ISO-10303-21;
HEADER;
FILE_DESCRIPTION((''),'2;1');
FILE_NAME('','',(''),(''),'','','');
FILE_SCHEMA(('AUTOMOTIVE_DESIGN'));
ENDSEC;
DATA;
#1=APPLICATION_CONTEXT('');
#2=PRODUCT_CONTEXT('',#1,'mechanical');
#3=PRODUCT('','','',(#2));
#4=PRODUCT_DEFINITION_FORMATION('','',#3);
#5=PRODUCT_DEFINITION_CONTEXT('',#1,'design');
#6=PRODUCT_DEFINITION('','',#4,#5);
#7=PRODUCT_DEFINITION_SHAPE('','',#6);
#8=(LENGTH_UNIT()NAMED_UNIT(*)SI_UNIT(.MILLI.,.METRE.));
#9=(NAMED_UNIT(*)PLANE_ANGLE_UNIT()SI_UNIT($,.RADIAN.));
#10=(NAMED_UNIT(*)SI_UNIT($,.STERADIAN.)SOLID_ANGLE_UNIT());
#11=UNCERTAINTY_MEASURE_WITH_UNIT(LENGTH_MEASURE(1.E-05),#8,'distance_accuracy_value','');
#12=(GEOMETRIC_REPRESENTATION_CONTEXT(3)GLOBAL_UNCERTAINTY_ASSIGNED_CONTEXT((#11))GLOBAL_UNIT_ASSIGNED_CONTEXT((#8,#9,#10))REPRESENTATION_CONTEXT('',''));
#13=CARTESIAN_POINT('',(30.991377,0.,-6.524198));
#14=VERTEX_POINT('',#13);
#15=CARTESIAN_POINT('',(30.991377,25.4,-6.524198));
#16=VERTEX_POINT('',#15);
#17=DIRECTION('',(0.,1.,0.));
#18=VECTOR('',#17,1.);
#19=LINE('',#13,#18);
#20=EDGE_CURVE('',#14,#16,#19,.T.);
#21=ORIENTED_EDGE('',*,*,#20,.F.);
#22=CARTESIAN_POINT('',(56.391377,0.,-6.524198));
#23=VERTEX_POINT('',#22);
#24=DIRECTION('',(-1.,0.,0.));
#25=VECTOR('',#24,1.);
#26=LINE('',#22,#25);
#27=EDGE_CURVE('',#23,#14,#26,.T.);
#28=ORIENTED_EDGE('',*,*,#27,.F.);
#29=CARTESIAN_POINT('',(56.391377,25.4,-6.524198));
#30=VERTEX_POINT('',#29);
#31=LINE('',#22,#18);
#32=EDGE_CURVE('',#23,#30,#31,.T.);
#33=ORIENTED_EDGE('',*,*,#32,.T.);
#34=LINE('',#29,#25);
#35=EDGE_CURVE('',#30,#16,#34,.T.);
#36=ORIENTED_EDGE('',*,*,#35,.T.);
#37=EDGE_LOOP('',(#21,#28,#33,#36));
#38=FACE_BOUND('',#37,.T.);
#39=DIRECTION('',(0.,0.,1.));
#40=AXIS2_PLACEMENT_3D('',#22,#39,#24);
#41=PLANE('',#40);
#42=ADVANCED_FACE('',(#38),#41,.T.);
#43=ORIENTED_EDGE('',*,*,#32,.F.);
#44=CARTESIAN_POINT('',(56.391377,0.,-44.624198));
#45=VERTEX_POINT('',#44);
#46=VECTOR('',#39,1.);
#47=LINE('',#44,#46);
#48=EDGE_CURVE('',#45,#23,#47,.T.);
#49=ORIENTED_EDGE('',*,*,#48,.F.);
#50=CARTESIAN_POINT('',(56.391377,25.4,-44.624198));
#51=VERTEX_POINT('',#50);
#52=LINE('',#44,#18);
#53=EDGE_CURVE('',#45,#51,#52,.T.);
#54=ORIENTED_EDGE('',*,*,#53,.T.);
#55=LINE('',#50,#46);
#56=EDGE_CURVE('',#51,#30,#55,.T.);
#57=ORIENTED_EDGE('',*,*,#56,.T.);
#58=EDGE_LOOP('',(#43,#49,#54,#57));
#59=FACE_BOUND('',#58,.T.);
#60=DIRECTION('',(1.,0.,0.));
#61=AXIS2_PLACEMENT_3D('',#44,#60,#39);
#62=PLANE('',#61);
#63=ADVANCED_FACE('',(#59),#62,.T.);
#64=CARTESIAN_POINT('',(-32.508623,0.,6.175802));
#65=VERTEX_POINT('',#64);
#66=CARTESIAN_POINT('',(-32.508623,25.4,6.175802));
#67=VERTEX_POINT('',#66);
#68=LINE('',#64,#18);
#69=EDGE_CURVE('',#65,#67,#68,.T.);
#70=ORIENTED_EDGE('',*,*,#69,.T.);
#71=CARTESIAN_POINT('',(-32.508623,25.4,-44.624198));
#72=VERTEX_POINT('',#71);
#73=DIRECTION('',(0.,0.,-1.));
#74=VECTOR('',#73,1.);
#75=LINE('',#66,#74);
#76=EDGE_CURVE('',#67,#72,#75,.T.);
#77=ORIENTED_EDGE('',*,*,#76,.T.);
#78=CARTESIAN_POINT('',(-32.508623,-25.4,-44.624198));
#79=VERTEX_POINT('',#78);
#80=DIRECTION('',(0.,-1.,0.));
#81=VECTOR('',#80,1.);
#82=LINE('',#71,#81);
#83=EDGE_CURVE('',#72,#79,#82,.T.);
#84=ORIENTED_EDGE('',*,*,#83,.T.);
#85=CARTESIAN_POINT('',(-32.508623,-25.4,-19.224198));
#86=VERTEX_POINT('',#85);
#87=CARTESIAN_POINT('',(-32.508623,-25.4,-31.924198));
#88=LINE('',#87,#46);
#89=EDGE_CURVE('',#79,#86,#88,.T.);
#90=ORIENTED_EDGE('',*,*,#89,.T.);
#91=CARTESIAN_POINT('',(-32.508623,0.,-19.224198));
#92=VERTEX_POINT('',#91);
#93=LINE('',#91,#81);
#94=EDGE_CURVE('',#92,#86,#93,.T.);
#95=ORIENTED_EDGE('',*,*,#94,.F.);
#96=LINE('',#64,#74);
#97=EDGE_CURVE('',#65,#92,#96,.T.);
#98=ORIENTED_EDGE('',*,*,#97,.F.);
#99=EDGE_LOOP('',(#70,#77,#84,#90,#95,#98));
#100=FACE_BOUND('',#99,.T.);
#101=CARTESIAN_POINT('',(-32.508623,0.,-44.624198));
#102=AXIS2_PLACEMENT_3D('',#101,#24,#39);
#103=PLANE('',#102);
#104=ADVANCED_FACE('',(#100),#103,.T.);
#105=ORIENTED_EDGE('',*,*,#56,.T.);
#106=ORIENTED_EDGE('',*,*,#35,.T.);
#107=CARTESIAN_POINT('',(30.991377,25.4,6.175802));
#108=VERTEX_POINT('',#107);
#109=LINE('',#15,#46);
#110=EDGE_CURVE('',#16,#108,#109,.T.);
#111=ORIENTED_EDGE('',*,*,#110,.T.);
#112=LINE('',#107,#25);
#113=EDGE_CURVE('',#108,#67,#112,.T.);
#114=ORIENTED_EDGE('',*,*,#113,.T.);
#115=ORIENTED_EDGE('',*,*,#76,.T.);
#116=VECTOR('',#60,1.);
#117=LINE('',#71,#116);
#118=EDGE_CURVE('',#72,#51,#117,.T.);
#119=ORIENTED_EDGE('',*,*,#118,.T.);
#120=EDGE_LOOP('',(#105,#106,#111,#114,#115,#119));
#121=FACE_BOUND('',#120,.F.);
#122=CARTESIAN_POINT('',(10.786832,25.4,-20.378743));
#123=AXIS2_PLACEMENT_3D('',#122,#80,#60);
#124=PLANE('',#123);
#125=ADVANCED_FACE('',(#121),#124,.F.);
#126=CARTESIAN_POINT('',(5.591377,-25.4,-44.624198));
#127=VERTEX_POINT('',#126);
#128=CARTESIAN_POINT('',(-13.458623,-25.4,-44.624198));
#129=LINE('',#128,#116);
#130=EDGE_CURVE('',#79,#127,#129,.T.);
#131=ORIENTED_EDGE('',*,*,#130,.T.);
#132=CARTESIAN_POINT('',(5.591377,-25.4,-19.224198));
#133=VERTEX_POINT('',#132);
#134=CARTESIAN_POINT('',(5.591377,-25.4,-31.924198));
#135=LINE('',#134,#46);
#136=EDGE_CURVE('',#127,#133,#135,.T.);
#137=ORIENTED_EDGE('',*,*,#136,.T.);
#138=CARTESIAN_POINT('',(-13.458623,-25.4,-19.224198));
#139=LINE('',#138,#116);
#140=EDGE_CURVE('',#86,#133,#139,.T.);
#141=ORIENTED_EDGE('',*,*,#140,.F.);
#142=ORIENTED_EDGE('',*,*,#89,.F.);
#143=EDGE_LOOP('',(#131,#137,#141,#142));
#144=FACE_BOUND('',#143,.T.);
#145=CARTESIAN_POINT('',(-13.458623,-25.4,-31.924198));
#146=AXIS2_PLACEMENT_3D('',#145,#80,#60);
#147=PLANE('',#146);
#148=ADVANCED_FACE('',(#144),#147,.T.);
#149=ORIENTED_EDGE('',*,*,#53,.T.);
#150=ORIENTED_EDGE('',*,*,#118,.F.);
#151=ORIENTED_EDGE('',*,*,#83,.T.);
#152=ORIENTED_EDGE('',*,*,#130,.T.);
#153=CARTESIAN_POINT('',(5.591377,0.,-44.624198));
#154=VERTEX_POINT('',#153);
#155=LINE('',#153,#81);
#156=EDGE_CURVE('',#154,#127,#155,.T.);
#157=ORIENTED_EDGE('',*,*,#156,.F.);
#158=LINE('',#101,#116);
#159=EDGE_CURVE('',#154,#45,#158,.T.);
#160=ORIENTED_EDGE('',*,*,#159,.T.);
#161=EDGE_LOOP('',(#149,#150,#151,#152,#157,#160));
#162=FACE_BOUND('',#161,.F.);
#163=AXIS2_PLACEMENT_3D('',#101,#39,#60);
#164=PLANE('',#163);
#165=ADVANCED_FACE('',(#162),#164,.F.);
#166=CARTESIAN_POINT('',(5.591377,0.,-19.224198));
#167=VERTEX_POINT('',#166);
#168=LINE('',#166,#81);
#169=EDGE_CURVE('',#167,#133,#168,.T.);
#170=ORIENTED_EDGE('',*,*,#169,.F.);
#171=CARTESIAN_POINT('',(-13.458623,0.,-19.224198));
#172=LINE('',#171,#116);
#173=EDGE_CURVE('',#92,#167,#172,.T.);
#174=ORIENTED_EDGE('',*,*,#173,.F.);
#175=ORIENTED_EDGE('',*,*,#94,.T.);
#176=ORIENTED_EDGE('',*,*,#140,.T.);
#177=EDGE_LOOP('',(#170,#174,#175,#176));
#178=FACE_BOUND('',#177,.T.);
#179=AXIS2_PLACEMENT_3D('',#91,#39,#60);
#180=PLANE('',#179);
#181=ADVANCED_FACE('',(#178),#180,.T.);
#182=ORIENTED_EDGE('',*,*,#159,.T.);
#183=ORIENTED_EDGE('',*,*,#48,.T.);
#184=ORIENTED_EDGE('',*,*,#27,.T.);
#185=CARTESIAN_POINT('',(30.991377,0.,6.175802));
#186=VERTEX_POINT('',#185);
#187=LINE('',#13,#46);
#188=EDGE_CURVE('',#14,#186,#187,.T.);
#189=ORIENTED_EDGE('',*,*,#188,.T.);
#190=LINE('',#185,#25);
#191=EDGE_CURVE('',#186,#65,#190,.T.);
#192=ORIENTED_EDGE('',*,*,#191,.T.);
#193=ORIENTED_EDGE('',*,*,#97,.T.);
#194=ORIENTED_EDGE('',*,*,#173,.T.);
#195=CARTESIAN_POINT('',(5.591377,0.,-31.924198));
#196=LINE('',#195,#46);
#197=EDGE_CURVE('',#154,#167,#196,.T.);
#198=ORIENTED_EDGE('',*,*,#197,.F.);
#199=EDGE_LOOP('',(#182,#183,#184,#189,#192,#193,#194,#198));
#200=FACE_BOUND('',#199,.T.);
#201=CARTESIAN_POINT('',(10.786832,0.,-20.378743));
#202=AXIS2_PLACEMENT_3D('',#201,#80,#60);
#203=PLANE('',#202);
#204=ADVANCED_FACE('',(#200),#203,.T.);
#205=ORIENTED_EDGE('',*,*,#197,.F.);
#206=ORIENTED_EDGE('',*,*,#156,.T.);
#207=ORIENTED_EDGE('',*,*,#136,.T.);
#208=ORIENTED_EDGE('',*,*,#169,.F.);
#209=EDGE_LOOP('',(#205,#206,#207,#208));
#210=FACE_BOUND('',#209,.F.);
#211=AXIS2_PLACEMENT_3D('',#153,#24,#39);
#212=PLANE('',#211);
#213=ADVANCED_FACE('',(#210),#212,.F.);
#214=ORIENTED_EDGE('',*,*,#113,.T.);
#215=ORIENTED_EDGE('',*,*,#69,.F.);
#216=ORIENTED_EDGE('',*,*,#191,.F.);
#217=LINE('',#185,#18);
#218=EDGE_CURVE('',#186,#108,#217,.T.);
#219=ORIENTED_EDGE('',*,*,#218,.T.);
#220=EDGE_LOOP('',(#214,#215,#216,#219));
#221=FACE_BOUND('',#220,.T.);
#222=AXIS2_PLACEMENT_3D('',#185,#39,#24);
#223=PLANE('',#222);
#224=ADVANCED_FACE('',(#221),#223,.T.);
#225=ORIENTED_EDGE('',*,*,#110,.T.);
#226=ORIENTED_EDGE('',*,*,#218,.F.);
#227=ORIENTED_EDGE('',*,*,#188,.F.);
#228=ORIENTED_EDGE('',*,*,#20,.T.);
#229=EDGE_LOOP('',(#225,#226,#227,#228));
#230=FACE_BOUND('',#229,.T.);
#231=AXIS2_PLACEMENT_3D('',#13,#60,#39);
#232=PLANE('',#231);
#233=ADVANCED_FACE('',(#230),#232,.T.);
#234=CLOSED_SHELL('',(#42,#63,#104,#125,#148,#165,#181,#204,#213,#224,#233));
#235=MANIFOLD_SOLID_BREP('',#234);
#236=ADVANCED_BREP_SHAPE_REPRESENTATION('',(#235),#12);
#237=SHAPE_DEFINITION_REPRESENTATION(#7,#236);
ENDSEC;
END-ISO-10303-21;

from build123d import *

# Parameters (mm, degrees)
F1_DEPTH = 25.4
F2_W     = 38.1
F2_H     = 25.4
F3_DEPTH = 25.4


with BuildPart() as f1:
    # F0 (on Front) → F1 (new body)
    with BuildSketch(Plane.XZ):
        Polygon((30.991377, 6.175802), (-32.508623, 6.175802), (-32.508623, -44.624198), (56.391377, -44.624198), (56.391377, -6.524198), (30.991377, -6.524198), align=None)
    extrude(amount=-F1_DEPTH)

    # F2 (on face) → F3 (join)
    with BuildSketch(Plane.XZ):
        with Locations((-13.458623, -31.924198)):
            Rectangle(F2_W, F2_H)
    extrude(amount=F3_DEPTH)


solid = f1.part
